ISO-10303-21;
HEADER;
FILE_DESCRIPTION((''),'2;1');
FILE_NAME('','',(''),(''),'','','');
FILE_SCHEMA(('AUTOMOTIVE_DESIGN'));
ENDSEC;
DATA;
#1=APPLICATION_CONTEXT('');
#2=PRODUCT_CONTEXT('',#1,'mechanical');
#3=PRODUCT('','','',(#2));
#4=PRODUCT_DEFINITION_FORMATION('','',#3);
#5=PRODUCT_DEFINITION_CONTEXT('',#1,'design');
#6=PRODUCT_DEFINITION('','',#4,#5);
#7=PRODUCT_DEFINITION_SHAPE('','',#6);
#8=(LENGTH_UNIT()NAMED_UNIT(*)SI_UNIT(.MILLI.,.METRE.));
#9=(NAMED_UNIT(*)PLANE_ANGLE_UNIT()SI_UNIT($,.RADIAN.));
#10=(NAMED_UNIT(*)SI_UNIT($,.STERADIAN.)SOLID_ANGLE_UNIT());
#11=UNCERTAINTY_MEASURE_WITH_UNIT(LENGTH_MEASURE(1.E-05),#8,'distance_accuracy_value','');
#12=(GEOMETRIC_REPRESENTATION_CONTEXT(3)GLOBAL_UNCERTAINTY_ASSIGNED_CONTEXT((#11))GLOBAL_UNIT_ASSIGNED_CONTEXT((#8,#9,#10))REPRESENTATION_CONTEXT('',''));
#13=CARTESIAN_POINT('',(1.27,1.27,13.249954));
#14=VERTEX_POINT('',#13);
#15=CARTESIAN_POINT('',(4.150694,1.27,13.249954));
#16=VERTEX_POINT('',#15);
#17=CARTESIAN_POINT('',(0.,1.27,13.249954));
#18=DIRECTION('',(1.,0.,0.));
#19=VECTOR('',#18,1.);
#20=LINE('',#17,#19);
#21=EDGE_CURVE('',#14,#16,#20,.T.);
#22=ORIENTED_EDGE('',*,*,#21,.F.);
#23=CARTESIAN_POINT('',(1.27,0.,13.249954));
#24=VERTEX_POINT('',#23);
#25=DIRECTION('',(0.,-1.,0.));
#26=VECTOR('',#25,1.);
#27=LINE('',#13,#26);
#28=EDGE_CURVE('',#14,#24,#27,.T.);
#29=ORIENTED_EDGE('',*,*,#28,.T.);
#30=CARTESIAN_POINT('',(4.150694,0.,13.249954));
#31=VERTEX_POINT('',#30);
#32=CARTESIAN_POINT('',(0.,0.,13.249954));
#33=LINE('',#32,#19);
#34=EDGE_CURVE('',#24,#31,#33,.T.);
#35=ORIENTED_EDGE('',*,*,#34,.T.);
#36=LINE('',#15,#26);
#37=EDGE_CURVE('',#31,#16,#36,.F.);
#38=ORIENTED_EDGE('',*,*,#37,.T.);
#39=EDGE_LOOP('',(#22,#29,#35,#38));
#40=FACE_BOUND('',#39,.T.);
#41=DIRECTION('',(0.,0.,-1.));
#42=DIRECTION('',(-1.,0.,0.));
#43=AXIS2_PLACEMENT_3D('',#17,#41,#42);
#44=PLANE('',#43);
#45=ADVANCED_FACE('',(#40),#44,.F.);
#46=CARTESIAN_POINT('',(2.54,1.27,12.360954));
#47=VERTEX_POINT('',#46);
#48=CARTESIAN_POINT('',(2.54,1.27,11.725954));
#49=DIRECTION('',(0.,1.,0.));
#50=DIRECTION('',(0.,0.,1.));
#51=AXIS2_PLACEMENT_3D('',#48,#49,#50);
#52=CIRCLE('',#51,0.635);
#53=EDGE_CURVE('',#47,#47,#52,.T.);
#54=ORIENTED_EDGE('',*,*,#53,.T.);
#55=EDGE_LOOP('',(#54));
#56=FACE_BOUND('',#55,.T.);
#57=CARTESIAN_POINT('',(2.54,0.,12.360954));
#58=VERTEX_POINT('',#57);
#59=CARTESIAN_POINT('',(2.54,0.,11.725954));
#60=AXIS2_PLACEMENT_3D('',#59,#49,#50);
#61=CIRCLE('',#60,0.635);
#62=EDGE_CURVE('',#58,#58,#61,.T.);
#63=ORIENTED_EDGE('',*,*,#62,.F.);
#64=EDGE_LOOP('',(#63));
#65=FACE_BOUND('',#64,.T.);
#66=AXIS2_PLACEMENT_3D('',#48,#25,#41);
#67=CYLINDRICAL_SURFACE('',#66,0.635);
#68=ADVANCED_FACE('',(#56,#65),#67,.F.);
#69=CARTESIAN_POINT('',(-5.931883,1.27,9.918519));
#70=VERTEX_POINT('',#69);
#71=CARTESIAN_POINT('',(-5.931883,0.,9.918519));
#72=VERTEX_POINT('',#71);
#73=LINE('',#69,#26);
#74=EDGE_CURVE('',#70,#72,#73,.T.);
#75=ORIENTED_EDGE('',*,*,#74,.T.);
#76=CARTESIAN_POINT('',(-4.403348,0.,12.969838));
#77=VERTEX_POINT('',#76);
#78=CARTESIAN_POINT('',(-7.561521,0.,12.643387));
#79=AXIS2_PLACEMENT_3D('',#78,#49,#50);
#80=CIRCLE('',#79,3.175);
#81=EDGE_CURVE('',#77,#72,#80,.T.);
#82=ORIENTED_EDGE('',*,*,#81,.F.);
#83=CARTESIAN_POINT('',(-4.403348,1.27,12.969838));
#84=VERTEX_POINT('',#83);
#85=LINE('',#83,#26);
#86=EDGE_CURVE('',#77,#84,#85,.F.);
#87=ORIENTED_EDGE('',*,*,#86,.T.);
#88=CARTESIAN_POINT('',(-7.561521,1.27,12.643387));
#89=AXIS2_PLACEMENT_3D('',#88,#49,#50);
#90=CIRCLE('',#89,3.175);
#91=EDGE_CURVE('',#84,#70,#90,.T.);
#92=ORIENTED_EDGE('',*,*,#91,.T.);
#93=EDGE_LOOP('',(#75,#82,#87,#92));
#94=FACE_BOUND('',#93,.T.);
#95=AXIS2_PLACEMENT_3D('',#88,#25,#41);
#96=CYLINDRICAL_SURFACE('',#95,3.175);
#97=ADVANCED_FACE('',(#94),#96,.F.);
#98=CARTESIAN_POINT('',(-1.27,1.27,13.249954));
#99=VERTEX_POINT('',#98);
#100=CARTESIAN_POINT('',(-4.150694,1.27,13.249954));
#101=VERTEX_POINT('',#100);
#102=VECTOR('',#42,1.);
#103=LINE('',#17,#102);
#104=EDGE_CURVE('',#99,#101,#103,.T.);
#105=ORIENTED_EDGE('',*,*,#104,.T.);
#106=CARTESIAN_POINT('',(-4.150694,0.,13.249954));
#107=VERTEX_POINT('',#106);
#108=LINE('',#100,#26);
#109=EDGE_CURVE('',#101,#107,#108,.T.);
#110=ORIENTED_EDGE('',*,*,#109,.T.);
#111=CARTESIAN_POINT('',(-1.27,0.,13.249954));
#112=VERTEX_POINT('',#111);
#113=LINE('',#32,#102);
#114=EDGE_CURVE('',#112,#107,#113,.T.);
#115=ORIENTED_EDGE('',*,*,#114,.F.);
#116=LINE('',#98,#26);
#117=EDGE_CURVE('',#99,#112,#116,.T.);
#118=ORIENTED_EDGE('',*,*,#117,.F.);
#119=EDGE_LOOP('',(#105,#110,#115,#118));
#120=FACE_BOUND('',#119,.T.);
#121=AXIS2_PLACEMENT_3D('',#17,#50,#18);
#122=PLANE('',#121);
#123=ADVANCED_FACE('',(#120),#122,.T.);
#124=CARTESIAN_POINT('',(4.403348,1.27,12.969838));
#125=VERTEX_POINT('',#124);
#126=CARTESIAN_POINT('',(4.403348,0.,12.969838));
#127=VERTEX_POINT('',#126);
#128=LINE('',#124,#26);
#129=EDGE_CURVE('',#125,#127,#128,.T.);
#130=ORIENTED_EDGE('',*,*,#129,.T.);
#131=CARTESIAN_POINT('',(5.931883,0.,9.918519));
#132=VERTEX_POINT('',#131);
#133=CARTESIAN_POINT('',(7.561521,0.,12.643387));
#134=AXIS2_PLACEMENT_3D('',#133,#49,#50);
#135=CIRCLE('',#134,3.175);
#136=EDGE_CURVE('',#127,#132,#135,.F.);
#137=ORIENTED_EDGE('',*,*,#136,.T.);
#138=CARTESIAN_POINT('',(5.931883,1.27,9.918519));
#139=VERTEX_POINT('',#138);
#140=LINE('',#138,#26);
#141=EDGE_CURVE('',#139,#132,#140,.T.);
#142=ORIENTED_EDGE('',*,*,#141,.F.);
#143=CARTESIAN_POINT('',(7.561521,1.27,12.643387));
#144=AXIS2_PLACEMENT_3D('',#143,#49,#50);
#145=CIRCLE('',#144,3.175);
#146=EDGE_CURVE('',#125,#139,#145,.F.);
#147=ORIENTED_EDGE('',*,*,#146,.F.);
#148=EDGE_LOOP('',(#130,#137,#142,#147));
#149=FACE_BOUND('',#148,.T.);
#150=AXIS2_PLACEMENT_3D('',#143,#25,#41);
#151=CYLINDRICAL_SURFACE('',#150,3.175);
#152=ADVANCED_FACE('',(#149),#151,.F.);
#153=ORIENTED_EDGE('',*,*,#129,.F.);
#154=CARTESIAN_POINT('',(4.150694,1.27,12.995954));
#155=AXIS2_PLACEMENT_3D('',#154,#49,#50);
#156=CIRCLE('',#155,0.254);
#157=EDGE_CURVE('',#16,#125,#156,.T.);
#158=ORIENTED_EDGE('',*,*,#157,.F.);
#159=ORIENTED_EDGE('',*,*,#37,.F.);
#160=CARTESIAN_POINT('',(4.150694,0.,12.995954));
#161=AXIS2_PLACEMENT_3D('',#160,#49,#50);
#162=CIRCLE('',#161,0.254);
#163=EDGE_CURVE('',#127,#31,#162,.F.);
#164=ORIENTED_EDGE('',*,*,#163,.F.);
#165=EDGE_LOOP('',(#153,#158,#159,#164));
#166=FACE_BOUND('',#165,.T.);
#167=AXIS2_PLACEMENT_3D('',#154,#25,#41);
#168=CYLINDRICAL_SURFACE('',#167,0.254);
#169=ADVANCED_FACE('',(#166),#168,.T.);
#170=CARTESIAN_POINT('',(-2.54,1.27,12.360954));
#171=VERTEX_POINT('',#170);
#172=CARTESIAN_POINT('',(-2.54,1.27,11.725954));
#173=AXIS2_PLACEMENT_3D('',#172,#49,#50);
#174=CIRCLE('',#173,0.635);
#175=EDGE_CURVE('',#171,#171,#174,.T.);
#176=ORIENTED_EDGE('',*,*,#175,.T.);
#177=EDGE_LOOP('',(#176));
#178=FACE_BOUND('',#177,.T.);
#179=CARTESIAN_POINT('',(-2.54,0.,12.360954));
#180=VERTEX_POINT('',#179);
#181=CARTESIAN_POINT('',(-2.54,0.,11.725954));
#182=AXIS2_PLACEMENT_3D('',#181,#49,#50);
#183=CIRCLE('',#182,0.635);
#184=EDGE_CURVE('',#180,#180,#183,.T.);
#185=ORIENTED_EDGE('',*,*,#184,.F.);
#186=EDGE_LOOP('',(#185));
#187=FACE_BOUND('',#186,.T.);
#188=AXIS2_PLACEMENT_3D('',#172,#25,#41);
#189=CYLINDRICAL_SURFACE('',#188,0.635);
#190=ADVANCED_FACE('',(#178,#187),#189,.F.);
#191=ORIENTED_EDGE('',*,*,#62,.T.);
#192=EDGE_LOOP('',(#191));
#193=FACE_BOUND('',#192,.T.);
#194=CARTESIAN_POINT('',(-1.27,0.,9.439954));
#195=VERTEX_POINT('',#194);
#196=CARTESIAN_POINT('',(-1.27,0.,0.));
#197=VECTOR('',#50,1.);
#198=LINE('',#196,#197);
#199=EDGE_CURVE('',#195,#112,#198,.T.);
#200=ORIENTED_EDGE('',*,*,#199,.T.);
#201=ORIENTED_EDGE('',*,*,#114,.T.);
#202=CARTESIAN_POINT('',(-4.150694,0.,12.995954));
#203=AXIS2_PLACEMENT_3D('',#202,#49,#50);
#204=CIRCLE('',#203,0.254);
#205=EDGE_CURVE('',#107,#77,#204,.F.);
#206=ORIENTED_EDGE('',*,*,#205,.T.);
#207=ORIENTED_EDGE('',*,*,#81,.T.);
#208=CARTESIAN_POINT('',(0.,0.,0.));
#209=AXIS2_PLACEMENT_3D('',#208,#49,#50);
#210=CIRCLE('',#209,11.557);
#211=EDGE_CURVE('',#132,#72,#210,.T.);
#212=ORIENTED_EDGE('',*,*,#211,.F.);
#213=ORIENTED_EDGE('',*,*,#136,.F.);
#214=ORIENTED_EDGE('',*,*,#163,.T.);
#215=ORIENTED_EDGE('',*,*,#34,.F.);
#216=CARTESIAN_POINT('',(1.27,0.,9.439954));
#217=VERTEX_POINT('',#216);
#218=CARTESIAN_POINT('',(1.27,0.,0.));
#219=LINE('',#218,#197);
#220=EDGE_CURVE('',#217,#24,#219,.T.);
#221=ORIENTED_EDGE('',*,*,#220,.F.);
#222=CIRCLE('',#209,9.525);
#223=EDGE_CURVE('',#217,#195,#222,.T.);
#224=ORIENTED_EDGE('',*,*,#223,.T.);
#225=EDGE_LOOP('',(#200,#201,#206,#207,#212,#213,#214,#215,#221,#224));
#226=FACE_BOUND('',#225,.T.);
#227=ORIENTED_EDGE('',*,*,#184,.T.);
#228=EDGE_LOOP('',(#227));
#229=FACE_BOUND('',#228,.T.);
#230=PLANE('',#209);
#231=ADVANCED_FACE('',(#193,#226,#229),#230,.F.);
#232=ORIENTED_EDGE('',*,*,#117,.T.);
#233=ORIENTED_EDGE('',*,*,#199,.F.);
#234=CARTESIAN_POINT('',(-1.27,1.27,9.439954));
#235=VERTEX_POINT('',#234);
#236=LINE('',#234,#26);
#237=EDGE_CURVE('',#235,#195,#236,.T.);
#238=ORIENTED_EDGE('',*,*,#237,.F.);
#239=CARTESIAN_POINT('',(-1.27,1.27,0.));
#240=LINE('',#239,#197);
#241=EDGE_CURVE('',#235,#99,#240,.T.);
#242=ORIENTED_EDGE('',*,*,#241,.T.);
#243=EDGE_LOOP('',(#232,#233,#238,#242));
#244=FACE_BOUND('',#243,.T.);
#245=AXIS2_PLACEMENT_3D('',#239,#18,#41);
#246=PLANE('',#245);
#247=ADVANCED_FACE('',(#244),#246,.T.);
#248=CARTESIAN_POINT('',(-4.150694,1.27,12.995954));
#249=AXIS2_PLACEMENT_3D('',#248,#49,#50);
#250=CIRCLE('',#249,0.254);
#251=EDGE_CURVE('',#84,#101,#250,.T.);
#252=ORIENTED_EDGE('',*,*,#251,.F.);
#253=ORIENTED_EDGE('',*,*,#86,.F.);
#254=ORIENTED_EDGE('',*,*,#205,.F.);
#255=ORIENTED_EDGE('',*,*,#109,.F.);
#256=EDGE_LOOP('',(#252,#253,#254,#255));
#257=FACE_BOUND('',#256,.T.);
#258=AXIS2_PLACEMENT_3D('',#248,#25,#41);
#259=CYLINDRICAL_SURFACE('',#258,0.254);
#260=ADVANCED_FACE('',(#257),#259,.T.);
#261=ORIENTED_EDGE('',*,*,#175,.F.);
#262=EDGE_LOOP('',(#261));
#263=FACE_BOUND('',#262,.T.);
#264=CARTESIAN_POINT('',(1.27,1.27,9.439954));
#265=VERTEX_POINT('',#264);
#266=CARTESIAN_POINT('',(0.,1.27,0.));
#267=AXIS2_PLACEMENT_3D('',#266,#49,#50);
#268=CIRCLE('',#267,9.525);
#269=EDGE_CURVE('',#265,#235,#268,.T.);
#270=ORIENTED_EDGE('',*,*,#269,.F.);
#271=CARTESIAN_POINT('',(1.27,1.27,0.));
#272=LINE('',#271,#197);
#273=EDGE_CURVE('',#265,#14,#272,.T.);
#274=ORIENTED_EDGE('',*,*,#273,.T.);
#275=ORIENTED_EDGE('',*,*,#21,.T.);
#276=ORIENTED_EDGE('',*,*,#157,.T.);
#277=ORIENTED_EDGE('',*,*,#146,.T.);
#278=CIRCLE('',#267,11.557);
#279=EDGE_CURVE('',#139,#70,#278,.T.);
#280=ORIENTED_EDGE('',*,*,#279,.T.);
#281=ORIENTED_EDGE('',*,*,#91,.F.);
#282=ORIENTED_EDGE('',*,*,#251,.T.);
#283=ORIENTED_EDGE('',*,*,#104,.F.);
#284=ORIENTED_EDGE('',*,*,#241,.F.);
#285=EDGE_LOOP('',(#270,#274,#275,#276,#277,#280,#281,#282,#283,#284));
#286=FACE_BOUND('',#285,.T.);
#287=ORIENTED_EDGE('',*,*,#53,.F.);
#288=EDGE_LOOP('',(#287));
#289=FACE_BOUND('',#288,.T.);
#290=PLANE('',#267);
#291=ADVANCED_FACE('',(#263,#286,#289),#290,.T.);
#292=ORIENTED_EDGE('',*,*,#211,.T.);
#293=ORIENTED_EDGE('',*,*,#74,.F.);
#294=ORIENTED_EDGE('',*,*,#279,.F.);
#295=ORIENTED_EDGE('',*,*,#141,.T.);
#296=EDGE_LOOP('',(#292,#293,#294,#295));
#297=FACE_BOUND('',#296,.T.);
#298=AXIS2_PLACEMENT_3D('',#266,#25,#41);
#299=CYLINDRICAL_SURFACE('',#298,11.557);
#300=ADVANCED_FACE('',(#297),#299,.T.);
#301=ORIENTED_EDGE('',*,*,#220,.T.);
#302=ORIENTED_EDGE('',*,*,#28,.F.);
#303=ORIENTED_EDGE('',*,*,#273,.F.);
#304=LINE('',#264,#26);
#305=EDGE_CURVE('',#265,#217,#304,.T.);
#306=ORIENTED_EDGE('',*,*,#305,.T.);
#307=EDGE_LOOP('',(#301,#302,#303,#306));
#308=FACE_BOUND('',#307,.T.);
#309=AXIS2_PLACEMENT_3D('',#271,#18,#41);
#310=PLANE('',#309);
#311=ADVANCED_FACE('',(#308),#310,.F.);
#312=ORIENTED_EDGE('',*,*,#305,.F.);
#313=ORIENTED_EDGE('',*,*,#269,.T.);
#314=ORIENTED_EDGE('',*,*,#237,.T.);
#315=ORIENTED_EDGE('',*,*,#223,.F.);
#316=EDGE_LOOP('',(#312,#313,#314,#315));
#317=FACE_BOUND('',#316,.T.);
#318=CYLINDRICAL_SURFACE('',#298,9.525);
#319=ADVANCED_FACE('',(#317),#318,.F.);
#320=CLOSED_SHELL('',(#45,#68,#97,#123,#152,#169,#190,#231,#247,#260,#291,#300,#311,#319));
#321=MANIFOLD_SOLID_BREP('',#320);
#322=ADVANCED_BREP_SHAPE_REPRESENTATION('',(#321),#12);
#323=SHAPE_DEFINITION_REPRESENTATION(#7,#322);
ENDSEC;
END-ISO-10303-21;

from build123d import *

# Parameters (mm, degrees)
SKETCH1_R           = 0.635
BOSS_EXTRUDE1_DEPTH = 1.27
FILLET1_R           = 0.254


with BuildPart() as part:
    # Sketch1 → Boss-Extrude1 (new body)
    with BuildSketch(Plane(origin=(0, 0, 0), x_dir=(1, 0, 0), z_dir=(0, 1, 0))):
        with BuildLine():
            ThreePointArc((-4.445, -13.249953655), (-4.662189736, -11.349360189), (-5.931882655, -9.9185189))
            ThreePointArc((-5.931882655, -9.9185189), (0, 11.557), (5.931882655, -9.9185189))
            ThreePointArc((5.931882655, -9.9185189), (4.662189736, -11.349360189), (4.445, -13.249953655))
            Line((4.445, -13.249953655), (1.27, -13.249953655))
            Line((1.27, -13.249953655), (1.27, -9.439953655))
            ThreePointArc((1.27, -9.439953655), (0, 9.525), (-1.27, -9.439953655))
            Line((-1.27, -9.439953655), (-1.27, -13.249953655))
            Line((-1.27, -13.249953655), (-4.445, -13.249953655))
        make_face()
        with Locations(Location((2.54, -11.725953655, 0), (0, 0, 270))):
            Circle(SKETCH1_R, mode=Mode.SUBTRACT)
        with Locations(Location((-2.54, -11.725953655, 0), (0, 0, 270))):
            Circle(SKETCH1_R, mode=Mode.SUBTRACT)
    extrude(amount=BOSS_EXTRUDE1_DEPTH)

    # Fillet1
    fillet1_edges = [part.edges().sort_by_distance(p)[0] for p in [
        (4.445, 0.635, 13.249953655),
        (-4.445, 0.635, 13.249953655),
    ]]
    fillet(fillet1_edges, radius=FILLET1_R)


solid = part.part
